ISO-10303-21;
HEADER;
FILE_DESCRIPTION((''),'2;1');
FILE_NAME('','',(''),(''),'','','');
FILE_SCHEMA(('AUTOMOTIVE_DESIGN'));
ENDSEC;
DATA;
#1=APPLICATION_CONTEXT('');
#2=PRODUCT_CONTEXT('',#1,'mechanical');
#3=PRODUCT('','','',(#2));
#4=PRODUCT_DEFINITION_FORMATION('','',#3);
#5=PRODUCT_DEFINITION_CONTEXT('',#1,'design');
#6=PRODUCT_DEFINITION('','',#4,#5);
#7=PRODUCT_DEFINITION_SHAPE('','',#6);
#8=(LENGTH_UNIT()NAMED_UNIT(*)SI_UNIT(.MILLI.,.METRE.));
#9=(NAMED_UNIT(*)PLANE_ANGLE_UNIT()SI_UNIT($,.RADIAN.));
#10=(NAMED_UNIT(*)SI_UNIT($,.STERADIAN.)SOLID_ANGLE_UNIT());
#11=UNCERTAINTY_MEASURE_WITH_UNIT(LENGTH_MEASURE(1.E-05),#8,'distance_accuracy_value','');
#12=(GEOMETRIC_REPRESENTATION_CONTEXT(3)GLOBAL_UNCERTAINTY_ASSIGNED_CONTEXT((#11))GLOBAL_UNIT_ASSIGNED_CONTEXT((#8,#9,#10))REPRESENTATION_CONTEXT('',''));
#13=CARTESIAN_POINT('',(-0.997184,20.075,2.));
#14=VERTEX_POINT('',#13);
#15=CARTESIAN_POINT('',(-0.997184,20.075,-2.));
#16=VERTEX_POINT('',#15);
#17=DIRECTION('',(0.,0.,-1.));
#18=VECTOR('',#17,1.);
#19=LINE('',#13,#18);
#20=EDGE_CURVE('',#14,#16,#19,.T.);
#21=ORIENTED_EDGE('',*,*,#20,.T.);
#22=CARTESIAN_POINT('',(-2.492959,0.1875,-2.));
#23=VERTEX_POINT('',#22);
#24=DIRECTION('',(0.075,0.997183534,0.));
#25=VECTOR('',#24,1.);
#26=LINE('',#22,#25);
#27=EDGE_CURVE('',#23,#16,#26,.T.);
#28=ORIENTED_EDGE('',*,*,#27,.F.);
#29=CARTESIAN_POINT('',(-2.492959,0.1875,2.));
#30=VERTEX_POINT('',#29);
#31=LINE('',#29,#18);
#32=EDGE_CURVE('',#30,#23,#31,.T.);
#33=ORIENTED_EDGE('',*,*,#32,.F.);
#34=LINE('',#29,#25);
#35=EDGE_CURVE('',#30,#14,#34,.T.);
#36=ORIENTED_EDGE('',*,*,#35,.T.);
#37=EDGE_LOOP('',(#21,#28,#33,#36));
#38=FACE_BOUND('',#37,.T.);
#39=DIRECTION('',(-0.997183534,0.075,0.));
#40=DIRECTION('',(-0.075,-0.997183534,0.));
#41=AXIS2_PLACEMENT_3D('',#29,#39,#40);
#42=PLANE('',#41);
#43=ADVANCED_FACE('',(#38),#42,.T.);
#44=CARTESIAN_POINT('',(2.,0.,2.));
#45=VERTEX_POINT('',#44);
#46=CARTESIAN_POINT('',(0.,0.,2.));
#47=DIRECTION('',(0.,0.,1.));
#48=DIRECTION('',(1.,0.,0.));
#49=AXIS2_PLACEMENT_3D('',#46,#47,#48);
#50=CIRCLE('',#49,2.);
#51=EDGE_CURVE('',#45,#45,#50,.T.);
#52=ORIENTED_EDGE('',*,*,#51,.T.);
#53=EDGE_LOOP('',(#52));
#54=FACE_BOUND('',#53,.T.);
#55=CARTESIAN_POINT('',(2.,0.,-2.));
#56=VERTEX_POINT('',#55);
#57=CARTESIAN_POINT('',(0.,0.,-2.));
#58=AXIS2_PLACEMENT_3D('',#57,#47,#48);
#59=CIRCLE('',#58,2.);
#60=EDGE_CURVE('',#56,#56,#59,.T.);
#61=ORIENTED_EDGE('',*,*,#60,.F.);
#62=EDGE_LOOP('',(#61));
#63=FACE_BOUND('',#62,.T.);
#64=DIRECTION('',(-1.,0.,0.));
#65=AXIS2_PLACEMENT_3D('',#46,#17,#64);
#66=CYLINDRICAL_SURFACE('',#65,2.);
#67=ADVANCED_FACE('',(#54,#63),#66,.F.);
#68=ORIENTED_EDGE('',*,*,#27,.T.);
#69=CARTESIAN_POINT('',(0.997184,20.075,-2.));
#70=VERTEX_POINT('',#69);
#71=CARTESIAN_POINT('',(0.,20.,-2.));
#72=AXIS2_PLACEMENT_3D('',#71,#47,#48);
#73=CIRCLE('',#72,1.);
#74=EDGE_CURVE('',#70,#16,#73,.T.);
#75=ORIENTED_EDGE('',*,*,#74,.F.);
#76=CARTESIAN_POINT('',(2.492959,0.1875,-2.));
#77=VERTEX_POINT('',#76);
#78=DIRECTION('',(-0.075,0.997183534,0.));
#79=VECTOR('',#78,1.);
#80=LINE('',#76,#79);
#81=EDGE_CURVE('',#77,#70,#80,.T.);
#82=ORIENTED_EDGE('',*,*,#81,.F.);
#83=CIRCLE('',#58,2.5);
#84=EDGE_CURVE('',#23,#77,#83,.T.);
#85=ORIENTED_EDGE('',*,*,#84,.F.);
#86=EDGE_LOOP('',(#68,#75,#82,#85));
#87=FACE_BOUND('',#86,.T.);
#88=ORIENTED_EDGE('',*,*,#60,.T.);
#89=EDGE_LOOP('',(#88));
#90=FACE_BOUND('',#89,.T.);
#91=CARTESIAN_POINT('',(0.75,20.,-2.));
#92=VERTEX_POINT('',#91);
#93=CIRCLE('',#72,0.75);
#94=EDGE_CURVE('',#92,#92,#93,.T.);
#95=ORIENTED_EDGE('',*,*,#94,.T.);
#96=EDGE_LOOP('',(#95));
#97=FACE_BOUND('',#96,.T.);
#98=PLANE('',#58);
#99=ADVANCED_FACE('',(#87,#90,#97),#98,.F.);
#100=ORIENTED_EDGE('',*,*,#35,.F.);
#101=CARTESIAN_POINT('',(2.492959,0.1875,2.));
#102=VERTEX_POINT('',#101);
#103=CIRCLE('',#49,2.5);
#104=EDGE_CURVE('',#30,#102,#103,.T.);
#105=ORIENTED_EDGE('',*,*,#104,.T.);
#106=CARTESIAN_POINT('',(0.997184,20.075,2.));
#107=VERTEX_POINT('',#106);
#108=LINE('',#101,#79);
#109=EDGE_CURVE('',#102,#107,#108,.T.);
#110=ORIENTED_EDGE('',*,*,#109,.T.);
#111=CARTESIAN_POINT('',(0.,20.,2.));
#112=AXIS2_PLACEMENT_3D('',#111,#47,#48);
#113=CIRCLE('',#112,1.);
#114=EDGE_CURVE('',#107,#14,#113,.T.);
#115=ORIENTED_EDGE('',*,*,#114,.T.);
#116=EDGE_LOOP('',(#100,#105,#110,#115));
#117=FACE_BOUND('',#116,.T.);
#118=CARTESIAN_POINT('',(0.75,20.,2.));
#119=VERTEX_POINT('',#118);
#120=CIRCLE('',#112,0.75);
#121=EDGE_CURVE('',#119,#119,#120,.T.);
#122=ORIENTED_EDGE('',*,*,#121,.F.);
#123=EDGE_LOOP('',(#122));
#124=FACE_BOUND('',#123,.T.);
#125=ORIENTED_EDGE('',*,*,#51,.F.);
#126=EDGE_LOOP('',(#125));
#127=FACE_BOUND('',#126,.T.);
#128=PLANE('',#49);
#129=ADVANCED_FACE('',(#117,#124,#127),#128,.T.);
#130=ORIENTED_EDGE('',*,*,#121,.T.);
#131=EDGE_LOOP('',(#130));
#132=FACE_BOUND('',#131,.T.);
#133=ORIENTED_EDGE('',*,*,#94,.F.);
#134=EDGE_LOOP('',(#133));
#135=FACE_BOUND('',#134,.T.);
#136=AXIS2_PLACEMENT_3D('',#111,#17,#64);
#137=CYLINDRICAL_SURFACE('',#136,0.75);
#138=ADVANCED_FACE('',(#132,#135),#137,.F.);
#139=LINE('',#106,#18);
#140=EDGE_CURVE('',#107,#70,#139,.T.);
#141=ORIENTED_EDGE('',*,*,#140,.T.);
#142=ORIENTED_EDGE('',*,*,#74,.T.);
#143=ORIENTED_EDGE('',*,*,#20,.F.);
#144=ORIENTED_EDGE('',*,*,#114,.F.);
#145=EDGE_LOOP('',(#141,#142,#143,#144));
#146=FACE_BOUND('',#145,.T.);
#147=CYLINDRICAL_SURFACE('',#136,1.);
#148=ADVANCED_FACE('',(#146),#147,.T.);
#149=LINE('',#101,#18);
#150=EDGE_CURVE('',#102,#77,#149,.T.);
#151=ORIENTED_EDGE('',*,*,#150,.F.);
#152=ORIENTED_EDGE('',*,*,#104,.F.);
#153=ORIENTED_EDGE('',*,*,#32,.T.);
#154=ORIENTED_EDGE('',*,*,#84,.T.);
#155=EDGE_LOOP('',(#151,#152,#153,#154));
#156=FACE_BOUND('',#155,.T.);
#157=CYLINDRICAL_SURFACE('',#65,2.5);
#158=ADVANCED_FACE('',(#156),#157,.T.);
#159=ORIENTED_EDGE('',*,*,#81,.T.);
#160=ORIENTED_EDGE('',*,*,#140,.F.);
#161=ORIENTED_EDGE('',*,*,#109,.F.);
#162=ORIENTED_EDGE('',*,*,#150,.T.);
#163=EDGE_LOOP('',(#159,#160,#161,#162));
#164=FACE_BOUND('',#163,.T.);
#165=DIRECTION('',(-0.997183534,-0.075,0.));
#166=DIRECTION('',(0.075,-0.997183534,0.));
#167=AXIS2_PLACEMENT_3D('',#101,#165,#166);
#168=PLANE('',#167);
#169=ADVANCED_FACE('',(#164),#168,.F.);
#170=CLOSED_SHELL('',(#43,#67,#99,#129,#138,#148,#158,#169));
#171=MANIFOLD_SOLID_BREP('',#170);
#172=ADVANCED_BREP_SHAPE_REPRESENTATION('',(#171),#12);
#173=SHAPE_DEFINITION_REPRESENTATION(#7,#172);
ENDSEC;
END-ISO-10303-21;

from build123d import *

# Parameters (mm, degrees)
IZIM1_R                     = 0.75
IZIM1_R_2                   = 2.5
IZIM1_R_3                   = 2
Y_KSEKLIK_EKSTR_ZYON1_DEPTH = 2


with BuildPart() as part:
    # Çizim1 → Yükseklik-Ekstrüzyon1 (new body, symmetric)
    with BuildSketch(Plane.XY):
        with BuildLine():
            Line((-0.997183534, 20.075), (-2.492958834, 0.1875))
            ThreePointArc((-2.492958834, 0.1875), (0, 2.5), (2.492958834, 0.1875))
            Line((2.492958834, 0.1875), (0.997183534, 20.075))
            ThreePointArc((0.997183534, 20.075), (0, 21), (-0.997183534, 20.075))
        make_face()
        with Locations((0, 20)):
            Circle(IZIM1_R, mode=Mode.SUBTRACT)
        Circle(IZIM1_R_2)
        Circle(IZIM1_R_3, mode=Mode.SUBTRACT)
    extrude(amount=Y_KSEKLIK_EKSTR_ZYON1_DEPTH, both=True)


solid = part.part
